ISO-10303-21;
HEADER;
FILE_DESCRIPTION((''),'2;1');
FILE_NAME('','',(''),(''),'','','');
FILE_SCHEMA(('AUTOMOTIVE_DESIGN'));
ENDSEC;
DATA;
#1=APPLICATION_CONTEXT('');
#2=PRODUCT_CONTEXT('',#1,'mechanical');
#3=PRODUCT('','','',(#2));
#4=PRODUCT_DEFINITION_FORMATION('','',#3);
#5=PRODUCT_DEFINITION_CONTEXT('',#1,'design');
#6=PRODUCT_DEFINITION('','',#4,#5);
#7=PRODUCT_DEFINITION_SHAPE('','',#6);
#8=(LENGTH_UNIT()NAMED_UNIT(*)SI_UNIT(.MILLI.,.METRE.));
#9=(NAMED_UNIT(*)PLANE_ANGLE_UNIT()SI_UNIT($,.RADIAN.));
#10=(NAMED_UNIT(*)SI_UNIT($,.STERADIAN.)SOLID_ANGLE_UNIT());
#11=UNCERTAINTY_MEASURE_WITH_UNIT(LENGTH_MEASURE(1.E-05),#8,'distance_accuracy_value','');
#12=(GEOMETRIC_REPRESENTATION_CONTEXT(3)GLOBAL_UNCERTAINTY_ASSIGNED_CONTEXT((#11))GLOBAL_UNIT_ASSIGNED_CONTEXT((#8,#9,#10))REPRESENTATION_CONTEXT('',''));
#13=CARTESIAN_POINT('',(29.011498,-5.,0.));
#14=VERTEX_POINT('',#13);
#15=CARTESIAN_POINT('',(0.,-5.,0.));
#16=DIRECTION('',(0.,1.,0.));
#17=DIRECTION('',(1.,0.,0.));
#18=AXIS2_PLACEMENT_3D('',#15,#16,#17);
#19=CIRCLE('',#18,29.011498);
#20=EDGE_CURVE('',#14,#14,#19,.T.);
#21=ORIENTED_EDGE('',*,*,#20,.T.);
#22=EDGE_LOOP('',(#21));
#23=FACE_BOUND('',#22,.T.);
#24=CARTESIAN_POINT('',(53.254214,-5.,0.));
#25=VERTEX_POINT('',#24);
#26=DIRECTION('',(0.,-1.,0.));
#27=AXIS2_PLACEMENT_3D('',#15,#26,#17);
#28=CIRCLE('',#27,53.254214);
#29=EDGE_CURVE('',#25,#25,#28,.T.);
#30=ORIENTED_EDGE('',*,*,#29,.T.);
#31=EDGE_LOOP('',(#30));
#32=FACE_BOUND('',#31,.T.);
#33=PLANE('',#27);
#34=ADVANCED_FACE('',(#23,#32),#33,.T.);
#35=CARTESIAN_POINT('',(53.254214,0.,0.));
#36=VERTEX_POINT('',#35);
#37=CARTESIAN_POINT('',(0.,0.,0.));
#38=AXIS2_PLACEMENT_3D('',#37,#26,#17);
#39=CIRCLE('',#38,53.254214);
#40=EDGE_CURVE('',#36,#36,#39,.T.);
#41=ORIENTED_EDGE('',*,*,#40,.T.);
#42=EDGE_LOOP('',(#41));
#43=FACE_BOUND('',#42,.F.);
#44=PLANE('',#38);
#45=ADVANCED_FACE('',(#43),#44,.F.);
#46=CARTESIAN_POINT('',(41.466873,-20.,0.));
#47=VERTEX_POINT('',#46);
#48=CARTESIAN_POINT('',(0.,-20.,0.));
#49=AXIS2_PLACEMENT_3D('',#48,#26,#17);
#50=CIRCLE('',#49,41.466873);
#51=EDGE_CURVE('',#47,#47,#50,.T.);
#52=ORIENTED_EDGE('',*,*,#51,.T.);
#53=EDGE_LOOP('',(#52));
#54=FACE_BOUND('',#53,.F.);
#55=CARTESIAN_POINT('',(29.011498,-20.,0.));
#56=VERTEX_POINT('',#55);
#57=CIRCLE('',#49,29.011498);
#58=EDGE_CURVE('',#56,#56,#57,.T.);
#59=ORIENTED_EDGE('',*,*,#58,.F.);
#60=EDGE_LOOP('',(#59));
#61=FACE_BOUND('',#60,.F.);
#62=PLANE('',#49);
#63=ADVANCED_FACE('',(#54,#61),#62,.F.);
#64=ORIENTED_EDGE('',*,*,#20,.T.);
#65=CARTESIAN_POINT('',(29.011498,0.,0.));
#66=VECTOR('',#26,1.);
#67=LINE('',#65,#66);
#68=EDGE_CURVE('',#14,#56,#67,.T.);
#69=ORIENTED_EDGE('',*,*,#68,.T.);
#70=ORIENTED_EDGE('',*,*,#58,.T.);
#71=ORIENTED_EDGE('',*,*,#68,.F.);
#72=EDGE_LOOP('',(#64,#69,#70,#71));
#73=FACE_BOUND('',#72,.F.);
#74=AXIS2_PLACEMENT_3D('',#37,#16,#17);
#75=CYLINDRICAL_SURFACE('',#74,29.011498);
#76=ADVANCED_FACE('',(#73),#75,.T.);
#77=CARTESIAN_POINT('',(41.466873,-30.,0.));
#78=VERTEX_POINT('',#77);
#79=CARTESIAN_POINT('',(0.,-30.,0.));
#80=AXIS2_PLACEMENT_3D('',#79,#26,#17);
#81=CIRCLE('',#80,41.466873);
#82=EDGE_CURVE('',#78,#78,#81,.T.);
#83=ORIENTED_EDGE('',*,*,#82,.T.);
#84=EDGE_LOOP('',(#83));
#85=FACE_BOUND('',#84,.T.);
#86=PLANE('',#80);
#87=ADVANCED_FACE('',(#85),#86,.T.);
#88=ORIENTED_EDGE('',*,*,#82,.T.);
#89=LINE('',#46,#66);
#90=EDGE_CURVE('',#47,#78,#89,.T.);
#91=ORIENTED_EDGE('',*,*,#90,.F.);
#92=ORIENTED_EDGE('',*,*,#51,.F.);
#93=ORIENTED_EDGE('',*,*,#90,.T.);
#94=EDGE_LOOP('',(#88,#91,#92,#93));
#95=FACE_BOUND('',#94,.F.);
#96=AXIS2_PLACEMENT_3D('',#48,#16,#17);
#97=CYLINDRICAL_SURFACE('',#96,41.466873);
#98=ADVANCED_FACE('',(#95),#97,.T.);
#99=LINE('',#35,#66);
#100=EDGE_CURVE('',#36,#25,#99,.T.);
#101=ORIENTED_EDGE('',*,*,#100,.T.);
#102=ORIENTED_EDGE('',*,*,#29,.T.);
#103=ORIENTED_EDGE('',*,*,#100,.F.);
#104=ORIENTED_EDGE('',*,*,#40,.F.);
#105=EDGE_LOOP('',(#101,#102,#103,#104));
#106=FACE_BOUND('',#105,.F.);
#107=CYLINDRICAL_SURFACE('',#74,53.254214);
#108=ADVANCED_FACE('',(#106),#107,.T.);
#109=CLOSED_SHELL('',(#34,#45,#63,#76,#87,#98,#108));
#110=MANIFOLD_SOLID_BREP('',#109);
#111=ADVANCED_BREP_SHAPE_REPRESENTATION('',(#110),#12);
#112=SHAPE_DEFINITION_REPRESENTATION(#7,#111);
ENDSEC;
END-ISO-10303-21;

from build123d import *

# Parameters (mm, degrees)
F0_R     = 53.254214
F1_DEPTH = 5
F2_R     = 29.011498
F3_DEPTH = 20
F4_R     = 41.466873
F5_DEPTH = 10


with BuildPart() as f1:
    # F0 (on Front) → F1 (new body)
    with BuildSketch(Plane.XZ):
        Circle(F0_R)
    extrude(amount=F1_DEPTH)

    # F2 (on Front) → F3 (join)
    with BuildSketch(Plane.XZ):
        Circle(F2_R)
    extrude(amount=F3_DEPTH)

    # F4 (on face) → F5 (join)
    with BuildSketch(Plane.XZ.offset(20)):
        Circle(F4_R)
    extrude(amount=F5_DEPTH)


solid = f1.part
